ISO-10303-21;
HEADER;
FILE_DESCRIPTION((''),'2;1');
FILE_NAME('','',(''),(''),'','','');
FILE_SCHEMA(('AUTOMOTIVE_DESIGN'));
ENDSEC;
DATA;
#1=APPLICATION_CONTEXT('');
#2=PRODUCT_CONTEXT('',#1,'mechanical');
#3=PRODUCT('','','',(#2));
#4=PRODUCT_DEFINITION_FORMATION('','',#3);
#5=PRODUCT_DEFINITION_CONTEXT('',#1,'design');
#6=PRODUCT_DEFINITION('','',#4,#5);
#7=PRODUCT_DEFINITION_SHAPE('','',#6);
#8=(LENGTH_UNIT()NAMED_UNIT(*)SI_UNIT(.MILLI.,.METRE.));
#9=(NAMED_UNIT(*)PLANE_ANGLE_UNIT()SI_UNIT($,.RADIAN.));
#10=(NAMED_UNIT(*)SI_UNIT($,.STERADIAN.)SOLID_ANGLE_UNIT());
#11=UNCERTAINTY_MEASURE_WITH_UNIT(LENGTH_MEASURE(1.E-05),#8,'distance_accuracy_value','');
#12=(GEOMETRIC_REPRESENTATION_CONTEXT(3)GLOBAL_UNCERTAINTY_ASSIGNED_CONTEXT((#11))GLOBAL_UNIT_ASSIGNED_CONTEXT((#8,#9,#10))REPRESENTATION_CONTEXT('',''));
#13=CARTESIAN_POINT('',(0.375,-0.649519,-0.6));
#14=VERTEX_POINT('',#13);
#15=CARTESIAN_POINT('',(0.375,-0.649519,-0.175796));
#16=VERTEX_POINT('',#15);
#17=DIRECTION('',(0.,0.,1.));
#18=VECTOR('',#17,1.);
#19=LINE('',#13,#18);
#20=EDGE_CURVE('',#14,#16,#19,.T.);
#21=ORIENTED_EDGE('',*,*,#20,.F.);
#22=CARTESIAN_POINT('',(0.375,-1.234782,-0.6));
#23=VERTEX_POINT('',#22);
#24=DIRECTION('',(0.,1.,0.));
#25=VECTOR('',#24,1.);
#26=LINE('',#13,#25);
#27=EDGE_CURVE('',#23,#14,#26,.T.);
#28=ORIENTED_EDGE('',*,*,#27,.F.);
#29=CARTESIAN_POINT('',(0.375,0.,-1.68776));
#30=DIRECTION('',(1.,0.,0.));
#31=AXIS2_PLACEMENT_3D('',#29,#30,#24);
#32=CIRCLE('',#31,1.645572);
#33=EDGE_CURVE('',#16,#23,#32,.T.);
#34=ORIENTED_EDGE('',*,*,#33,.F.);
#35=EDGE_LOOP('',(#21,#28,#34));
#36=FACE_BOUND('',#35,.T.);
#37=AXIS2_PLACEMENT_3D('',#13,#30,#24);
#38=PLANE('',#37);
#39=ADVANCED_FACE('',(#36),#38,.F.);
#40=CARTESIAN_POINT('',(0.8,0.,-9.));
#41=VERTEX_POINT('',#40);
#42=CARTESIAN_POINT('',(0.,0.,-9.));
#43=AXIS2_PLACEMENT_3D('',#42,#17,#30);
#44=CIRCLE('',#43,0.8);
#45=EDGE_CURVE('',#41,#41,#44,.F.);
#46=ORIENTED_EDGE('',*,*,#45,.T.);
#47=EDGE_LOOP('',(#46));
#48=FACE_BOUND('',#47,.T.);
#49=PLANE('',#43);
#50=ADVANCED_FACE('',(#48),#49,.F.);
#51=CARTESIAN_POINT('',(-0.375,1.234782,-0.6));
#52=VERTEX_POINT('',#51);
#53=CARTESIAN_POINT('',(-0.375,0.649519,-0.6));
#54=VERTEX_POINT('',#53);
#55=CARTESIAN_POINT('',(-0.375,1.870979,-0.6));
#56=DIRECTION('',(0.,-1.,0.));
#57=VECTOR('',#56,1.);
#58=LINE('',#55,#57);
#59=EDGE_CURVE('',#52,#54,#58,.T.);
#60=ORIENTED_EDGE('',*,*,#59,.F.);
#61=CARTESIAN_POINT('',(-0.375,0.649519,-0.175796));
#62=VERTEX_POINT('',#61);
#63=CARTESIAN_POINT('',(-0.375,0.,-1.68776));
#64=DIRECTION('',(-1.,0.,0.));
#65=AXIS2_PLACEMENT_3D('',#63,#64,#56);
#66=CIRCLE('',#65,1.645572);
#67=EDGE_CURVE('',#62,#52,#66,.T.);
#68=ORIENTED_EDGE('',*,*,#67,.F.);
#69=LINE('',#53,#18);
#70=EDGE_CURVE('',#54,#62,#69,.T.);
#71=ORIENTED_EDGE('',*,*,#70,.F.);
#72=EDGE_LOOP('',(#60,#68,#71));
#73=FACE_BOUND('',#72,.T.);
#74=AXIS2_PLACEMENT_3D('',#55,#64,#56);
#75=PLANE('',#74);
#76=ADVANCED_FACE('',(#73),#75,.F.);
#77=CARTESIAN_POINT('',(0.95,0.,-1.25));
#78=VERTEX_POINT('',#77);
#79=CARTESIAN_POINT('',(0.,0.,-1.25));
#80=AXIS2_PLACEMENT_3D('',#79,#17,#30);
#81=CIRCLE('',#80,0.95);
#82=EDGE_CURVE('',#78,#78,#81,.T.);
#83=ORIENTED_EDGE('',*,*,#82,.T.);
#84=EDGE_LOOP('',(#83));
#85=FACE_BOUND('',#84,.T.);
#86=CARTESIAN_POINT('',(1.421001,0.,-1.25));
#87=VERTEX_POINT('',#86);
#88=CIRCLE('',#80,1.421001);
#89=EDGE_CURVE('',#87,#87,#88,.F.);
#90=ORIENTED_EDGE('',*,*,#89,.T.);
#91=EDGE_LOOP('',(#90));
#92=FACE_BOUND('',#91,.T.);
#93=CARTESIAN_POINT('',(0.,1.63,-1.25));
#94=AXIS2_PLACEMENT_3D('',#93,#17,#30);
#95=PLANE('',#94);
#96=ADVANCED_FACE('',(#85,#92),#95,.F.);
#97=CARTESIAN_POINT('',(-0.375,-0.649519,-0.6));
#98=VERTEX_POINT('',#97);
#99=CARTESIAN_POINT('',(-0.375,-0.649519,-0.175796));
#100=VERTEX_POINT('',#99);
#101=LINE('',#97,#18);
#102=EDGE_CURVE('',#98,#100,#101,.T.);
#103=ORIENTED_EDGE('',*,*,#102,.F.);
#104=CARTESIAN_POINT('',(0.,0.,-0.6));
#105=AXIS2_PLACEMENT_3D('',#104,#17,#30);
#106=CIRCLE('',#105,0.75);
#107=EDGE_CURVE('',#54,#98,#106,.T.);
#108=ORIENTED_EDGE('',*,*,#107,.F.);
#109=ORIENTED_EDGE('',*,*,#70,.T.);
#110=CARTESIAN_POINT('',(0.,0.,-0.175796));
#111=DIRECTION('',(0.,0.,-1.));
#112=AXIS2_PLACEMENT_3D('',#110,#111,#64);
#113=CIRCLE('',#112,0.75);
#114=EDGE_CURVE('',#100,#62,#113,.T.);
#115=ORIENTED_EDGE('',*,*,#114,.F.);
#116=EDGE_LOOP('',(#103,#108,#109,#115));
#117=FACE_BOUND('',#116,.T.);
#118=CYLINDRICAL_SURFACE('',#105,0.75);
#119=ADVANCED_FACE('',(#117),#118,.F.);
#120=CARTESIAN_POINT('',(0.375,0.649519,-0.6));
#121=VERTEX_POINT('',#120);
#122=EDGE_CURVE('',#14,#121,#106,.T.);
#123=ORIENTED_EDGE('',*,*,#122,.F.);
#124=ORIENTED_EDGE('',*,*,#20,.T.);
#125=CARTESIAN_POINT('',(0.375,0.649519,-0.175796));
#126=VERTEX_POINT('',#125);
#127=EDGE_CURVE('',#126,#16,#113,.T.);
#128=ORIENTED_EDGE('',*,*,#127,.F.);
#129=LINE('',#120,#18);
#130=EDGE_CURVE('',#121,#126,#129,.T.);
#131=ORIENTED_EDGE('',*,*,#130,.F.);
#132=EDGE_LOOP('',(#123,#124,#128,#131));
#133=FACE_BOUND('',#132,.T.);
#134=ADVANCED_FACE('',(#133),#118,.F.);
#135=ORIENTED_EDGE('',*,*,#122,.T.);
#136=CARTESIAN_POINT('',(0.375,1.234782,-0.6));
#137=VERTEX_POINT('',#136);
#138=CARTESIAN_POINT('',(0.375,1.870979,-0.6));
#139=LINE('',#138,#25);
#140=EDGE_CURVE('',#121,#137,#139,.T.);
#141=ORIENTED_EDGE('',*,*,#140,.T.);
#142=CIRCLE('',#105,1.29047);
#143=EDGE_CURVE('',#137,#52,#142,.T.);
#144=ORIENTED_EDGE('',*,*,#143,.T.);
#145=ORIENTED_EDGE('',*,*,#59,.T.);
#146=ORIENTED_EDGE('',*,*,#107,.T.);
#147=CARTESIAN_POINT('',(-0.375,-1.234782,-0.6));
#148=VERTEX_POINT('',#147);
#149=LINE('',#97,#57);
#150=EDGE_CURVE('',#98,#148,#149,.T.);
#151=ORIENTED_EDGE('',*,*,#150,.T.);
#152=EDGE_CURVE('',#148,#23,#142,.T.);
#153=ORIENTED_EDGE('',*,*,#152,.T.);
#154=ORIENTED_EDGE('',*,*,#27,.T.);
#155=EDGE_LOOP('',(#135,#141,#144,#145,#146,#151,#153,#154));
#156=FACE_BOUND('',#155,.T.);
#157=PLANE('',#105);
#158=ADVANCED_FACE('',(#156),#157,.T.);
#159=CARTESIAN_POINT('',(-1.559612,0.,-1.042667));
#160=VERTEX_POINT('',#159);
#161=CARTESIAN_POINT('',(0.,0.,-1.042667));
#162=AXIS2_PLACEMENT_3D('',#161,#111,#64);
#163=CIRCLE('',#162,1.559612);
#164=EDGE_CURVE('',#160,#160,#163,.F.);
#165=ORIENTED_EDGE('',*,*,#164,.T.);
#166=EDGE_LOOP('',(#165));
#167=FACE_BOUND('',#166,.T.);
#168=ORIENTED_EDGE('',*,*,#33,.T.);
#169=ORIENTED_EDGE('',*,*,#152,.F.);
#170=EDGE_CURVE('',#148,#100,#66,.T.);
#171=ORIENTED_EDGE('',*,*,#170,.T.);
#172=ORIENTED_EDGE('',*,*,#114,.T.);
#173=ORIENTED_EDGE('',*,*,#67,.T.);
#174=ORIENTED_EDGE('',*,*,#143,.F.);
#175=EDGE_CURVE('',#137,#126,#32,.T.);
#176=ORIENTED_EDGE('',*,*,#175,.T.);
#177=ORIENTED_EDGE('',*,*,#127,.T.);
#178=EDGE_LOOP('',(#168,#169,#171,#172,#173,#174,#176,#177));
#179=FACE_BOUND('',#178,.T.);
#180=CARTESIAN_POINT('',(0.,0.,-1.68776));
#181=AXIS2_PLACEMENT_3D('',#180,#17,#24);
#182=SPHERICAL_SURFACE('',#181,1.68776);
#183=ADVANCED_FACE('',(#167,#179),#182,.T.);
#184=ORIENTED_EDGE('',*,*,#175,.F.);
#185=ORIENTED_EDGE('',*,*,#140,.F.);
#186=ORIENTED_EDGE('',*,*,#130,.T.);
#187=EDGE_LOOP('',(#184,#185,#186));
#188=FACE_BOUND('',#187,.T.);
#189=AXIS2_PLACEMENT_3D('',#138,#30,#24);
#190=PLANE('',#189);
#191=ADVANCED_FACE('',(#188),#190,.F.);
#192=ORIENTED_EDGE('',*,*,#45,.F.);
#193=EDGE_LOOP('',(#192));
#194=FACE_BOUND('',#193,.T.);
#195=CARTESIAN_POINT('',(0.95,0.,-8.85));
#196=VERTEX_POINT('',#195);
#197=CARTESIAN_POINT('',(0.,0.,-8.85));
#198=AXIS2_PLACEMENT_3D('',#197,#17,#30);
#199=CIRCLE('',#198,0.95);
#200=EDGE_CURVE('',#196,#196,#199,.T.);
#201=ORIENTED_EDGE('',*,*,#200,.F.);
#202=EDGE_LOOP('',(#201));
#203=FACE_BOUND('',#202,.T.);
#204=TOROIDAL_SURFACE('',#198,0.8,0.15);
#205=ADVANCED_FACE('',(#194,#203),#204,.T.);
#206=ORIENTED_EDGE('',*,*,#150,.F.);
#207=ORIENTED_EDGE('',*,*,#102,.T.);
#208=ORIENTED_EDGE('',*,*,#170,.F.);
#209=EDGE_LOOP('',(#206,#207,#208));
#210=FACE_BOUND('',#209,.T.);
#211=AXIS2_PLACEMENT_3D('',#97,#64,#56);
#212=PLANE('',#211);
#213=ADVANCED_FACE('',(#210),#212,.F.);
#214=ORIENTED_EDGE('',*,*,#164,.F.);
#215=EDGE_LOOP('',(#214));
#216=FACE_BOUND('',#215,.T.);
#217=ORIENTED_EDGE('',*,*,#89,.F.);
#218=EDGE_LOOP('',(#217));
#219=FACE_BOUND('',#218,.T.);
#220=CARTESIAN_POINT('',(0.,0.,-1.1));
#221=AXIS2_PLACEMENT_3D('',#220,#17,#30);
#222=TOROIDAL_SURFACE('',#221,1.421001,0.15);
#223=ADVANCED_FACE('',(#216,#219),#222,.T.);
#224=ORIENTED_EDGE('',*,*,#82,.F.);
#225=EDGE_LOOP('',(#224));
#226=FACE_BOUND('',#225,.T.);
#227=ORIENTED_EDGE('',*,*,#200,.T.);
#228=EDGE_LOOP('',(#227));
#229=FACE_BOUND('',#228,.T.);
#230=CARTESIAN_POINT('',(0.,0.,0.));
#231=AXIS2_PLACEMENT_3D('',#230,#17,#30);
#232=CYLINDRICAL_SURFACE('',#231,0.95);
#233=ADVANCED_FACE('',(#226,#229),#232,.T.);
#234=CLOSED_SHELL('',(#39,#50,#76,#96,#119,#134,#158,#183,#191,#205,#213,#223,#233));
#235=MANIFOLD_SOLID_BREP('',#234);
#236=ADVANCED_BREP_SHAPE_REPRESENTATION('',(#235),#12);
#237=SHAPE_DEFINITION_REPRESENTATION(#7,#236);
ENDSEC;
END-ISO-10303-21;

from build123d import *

# Parameters (mm, degrees)
CUT_EXTRUDE1_DEPTH = 0.6
FILLET1_R          = 0.15


with BuildPart() as part:
    # Sketch4 → Revolve2 (revolve)
    with BuildSketch(Plane(origin=(0, 0, 0), x_dir=(0, 0, -1), z_dir=(1, 0, 0))):
        with BuildLine():
            Line((0, 0), (9, 0))
            Line((9, 0), (9, 0.95))
            Line((9, 0.95), (1.25, 0.95))
            Line((1.25, 0.95), (1.25, 1.63))
            ThreePointArc((1.25, 1.63), (0.348475184, 1.027058908), (0, 0))
        make_face()
    revolve(axis=Axis((0, 0, 0), (0, 0, -1)))

    # Sketch5 → Cut-Extrude1 (cut)
    with BuildSketch(Plane.XY):
        with BuildLine():
            Line((-0.375, -0.649519053), (-0.375, -1.87097888))
            Line((-0.375, -1.87097888), (0.375, -1.87097888))
            Line((0.375, -1.87097888), (0.375, -0.649519053))
            ThreePointArc((0.375, -0.649519053), (0.75, 0), (0.375, 0.649519053))
            Line((0.375, 0.649519053), (0.375, 1.87097888))
            Line((0.375, 1.87097888), (-0.375, 1.87097888))
            Line((-0.375, 1.87097888), (-0.375, 0.649519053))
            ThreePointArc((-0.375, 0.649519053), (-0.75, 0), (-0.375, -0.649519053))
        make_face()
    extrude(amount=-CUT_EXTRUDE1_DEPTH, mode=Mode.SUBTRACT)

    # Fillet1
    fillet1_edges = [part.edges().sort_by_distance(p)[0] for p in [
        (0, -1.63, -1.25),
        (0, -0.95, -9),
    ]]
    fillet(fillet1_edges, radius=FILLET1_R)


solid = part.part
